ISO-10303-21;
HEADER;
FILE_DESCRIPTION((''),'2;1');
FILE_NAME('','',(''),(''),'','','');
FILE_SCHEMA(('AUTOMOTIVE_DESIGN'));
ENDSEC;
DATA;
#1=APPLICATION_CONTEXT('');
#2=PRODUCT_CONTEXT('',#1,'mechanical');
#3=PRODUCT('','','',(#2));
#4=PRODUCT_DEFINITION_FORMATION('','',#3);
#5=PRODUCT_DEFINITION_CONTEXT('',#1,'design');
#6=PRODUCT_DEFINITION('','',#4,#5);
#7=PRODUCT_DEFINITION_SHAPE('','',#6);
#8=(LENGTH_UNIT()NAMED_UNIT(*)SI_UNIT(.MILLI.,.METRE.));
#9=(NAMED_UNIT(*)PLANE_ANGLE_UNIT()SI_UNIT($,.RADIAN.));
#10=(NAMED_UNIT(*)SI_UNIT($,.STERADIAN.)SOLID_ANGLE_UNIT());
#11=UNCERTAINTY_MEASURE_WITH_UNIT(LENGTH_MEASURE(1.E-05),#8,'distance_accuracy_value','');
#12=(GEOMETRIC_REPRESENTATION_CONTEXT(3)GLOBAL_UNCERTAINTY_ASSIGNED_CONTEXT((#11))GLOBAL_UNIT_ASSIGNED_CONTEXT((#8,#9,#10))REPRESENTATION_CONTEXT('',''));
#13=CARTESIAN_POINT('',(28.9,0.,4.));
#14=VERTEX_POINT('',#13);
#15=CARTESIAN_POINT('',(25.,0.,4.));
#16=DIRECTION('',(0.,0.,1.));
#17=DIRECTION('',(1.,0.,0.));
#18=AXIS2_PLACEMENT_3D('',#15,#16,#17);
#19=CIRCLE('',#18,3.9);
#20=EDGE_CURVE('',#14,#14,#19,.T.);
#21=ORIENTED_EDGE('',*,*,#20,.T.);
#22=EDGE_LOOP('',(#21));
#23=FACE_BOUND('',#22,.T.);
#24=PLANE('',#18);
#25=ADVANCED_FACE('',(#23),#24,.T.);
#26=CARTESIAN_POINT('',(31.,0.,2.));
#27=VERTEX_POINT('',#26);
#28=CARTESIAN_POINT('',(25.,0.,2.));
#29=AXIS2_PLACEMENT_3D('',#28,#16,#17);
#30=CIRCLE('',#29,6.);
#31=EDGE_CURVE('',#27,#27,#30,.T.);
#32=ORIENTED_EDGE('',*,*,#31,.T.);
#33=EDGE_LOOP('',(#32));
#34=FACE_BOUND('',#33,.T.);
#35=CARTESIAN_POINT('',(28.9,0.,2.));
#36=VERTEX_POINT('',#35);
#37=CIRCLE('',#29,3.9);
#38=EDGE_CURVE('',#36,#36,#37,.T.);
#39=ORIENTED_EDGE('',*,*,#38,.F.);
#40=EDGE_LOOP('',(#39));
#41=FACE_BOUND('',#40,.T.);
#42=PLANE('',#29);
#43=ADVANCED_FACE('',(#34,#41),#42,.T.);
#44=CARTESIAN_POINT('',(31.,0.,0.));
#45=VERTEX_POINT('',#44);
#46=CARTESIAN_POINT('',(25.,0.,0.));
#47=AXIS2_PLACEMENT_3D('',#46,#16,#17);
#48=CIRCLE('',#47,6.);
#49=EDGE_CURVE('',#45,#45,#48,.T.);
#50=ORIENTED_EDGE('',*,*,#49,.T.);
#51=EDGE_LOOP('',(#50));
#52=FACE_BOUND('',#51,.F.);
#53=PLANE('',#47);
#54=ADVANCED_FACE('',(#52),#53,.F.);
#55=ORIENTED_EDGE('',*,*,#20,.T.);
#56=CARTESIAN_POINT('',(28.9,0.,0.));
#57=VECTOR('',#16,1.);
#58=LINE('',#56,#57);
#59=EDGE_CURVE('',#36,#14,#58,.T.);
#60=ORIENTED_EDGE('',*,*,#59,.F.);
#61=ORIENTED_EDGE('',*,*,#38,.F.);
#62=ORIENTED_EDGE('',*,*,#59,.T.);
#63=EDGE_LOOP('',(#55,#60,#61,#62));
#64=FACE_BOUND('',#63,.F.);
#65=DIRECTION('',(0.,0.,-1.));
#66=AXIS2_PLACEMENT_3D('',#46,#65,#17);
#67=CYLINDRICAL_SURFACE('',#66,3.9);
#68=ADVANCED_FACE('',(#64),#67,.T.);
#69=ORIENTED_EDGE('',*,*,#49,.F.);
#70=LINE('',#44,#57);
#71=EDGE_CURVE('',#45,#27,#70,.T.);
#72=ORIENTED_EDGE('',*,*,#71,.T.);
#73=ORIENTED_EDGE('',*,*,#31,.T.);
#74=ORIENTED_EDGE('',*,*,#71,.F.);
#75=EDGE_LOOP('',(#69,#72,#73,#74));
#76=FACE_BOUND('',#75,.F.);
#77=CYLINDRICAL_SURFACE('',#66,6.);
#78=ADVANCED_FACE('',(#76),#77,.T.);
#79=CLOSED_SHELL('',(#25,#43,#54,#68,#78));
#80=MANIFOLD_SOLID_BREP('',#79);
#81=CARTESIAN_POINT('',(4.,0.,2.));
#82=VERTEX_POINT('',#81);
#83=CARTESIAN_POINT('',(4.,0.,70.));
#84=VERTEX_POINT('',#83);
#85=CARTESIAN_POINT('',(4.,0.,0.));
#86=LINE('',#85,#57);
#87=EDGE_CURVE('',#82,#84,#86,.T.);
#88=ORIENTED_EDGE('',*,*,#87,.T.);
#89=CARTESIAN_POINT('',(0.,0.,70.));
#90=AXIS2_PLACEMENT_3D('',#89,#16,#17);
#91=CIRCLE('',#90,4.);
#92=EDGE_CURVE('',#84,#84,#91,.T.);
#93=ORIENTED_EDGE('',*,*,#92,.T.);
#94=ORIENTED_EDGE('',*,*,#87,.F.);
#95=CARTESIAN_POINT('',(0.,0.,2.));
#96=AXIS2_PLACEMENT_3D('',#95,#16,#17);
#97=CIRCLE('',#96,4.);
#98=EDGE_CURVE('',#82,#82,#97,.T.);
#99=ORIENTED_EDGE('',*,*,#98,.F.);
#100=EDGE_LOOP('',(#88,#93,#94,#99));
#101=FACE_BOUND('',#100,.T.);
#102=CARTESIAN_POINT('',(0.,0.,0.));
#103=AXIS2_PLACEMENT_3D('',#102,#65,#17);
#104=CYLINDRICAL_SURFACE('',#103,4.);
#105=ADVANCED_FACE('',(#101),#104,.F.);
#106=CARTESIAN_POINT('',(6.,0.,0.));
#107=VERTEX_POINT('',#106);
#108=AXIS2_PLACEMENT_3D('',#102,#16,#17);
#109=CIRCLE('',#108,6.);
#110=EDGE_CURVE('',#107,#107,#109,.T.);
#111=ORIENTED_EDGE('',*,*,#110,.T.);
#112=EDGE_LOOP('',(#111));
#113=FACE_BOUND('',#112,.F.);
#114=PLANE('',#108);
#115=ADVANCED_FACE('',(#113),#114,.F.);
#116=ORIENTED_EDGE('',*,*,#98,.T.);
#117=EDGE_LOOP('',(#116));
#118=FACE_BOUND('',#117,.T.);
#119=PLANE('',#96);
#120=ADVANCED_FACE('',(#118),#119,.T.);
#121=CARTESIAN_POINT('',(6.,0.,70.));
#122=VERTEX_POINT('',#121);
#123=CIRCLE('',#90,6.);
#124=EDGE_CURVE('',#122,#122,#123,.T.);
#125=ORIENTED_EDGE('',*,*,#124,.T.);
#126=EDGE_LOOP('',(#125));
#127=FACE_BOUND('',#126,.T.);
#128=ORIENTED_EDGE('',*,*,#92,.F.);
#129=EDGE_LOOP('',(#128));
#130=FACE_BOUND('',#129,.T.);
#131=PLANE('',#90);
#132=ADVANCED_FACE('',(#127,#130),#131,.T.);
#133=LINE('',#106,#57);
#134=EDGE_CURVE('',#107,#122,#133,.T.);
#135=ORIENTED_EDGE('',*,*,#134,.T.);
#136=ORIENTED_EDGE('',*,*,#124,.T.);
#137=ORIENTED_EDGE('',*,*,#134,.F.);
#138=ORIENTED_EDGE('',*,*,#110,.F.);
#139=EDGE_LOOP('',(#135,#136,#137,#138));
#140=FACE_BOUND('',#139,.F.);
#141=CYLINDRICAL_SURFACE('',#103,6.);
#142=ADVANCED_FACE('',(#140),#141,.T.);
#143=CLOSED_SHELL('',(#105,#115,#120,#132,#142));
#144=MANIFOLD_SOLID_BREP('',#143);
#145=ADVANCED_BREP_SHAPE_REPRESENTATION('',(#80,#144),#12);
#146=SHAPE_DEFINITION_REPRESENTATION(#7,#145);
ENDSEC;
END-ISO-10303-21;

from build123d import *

# Parameters (mm, degrees)
F0_R     = 6
F0_R_2   = 4
F1_DEPTH = 70
F2_DEPTH = 2
F0_R_3   = 3.9
F3_DEPTH = 2
F4_DEPTH = 4


with BuildPart() as f1:
    # F0 (on Top) → F1 (new body)
    with BuildSketch(Plane.XY):
        Circle(F0_R)
        Circle(F0_R_2, mode=Mode.SUBTRACT)
    extrude(amount=F1_DEPTH)

    # F0 (on Top) → F2 (join)
    with BuildSketch(Plane.XY):
        Circle(F0_R_2)
    extrude(amount=F2_DEPTH)


with BuildPart() as f3:
    # F0 (on Top) → F3 (new body)
    with BuildSketch(Plane.XY):
        with Locations((25, 0)):
            Circle(F0_R)
        with Locations((25, 0)):
            Circle(F0_R_3, mode=Mode.SUBTRACT)
    extrude(amount=F3_DEPTH)

    # F0 (on Top) → F4 (join)
    with BuildSketch(Plane.XY):
        with Locations((25, 0)):
            Circle(F0_R_3)
    extrude(amount=F4_DEPTH)


solid = Compound([f1.part, f3.part])
